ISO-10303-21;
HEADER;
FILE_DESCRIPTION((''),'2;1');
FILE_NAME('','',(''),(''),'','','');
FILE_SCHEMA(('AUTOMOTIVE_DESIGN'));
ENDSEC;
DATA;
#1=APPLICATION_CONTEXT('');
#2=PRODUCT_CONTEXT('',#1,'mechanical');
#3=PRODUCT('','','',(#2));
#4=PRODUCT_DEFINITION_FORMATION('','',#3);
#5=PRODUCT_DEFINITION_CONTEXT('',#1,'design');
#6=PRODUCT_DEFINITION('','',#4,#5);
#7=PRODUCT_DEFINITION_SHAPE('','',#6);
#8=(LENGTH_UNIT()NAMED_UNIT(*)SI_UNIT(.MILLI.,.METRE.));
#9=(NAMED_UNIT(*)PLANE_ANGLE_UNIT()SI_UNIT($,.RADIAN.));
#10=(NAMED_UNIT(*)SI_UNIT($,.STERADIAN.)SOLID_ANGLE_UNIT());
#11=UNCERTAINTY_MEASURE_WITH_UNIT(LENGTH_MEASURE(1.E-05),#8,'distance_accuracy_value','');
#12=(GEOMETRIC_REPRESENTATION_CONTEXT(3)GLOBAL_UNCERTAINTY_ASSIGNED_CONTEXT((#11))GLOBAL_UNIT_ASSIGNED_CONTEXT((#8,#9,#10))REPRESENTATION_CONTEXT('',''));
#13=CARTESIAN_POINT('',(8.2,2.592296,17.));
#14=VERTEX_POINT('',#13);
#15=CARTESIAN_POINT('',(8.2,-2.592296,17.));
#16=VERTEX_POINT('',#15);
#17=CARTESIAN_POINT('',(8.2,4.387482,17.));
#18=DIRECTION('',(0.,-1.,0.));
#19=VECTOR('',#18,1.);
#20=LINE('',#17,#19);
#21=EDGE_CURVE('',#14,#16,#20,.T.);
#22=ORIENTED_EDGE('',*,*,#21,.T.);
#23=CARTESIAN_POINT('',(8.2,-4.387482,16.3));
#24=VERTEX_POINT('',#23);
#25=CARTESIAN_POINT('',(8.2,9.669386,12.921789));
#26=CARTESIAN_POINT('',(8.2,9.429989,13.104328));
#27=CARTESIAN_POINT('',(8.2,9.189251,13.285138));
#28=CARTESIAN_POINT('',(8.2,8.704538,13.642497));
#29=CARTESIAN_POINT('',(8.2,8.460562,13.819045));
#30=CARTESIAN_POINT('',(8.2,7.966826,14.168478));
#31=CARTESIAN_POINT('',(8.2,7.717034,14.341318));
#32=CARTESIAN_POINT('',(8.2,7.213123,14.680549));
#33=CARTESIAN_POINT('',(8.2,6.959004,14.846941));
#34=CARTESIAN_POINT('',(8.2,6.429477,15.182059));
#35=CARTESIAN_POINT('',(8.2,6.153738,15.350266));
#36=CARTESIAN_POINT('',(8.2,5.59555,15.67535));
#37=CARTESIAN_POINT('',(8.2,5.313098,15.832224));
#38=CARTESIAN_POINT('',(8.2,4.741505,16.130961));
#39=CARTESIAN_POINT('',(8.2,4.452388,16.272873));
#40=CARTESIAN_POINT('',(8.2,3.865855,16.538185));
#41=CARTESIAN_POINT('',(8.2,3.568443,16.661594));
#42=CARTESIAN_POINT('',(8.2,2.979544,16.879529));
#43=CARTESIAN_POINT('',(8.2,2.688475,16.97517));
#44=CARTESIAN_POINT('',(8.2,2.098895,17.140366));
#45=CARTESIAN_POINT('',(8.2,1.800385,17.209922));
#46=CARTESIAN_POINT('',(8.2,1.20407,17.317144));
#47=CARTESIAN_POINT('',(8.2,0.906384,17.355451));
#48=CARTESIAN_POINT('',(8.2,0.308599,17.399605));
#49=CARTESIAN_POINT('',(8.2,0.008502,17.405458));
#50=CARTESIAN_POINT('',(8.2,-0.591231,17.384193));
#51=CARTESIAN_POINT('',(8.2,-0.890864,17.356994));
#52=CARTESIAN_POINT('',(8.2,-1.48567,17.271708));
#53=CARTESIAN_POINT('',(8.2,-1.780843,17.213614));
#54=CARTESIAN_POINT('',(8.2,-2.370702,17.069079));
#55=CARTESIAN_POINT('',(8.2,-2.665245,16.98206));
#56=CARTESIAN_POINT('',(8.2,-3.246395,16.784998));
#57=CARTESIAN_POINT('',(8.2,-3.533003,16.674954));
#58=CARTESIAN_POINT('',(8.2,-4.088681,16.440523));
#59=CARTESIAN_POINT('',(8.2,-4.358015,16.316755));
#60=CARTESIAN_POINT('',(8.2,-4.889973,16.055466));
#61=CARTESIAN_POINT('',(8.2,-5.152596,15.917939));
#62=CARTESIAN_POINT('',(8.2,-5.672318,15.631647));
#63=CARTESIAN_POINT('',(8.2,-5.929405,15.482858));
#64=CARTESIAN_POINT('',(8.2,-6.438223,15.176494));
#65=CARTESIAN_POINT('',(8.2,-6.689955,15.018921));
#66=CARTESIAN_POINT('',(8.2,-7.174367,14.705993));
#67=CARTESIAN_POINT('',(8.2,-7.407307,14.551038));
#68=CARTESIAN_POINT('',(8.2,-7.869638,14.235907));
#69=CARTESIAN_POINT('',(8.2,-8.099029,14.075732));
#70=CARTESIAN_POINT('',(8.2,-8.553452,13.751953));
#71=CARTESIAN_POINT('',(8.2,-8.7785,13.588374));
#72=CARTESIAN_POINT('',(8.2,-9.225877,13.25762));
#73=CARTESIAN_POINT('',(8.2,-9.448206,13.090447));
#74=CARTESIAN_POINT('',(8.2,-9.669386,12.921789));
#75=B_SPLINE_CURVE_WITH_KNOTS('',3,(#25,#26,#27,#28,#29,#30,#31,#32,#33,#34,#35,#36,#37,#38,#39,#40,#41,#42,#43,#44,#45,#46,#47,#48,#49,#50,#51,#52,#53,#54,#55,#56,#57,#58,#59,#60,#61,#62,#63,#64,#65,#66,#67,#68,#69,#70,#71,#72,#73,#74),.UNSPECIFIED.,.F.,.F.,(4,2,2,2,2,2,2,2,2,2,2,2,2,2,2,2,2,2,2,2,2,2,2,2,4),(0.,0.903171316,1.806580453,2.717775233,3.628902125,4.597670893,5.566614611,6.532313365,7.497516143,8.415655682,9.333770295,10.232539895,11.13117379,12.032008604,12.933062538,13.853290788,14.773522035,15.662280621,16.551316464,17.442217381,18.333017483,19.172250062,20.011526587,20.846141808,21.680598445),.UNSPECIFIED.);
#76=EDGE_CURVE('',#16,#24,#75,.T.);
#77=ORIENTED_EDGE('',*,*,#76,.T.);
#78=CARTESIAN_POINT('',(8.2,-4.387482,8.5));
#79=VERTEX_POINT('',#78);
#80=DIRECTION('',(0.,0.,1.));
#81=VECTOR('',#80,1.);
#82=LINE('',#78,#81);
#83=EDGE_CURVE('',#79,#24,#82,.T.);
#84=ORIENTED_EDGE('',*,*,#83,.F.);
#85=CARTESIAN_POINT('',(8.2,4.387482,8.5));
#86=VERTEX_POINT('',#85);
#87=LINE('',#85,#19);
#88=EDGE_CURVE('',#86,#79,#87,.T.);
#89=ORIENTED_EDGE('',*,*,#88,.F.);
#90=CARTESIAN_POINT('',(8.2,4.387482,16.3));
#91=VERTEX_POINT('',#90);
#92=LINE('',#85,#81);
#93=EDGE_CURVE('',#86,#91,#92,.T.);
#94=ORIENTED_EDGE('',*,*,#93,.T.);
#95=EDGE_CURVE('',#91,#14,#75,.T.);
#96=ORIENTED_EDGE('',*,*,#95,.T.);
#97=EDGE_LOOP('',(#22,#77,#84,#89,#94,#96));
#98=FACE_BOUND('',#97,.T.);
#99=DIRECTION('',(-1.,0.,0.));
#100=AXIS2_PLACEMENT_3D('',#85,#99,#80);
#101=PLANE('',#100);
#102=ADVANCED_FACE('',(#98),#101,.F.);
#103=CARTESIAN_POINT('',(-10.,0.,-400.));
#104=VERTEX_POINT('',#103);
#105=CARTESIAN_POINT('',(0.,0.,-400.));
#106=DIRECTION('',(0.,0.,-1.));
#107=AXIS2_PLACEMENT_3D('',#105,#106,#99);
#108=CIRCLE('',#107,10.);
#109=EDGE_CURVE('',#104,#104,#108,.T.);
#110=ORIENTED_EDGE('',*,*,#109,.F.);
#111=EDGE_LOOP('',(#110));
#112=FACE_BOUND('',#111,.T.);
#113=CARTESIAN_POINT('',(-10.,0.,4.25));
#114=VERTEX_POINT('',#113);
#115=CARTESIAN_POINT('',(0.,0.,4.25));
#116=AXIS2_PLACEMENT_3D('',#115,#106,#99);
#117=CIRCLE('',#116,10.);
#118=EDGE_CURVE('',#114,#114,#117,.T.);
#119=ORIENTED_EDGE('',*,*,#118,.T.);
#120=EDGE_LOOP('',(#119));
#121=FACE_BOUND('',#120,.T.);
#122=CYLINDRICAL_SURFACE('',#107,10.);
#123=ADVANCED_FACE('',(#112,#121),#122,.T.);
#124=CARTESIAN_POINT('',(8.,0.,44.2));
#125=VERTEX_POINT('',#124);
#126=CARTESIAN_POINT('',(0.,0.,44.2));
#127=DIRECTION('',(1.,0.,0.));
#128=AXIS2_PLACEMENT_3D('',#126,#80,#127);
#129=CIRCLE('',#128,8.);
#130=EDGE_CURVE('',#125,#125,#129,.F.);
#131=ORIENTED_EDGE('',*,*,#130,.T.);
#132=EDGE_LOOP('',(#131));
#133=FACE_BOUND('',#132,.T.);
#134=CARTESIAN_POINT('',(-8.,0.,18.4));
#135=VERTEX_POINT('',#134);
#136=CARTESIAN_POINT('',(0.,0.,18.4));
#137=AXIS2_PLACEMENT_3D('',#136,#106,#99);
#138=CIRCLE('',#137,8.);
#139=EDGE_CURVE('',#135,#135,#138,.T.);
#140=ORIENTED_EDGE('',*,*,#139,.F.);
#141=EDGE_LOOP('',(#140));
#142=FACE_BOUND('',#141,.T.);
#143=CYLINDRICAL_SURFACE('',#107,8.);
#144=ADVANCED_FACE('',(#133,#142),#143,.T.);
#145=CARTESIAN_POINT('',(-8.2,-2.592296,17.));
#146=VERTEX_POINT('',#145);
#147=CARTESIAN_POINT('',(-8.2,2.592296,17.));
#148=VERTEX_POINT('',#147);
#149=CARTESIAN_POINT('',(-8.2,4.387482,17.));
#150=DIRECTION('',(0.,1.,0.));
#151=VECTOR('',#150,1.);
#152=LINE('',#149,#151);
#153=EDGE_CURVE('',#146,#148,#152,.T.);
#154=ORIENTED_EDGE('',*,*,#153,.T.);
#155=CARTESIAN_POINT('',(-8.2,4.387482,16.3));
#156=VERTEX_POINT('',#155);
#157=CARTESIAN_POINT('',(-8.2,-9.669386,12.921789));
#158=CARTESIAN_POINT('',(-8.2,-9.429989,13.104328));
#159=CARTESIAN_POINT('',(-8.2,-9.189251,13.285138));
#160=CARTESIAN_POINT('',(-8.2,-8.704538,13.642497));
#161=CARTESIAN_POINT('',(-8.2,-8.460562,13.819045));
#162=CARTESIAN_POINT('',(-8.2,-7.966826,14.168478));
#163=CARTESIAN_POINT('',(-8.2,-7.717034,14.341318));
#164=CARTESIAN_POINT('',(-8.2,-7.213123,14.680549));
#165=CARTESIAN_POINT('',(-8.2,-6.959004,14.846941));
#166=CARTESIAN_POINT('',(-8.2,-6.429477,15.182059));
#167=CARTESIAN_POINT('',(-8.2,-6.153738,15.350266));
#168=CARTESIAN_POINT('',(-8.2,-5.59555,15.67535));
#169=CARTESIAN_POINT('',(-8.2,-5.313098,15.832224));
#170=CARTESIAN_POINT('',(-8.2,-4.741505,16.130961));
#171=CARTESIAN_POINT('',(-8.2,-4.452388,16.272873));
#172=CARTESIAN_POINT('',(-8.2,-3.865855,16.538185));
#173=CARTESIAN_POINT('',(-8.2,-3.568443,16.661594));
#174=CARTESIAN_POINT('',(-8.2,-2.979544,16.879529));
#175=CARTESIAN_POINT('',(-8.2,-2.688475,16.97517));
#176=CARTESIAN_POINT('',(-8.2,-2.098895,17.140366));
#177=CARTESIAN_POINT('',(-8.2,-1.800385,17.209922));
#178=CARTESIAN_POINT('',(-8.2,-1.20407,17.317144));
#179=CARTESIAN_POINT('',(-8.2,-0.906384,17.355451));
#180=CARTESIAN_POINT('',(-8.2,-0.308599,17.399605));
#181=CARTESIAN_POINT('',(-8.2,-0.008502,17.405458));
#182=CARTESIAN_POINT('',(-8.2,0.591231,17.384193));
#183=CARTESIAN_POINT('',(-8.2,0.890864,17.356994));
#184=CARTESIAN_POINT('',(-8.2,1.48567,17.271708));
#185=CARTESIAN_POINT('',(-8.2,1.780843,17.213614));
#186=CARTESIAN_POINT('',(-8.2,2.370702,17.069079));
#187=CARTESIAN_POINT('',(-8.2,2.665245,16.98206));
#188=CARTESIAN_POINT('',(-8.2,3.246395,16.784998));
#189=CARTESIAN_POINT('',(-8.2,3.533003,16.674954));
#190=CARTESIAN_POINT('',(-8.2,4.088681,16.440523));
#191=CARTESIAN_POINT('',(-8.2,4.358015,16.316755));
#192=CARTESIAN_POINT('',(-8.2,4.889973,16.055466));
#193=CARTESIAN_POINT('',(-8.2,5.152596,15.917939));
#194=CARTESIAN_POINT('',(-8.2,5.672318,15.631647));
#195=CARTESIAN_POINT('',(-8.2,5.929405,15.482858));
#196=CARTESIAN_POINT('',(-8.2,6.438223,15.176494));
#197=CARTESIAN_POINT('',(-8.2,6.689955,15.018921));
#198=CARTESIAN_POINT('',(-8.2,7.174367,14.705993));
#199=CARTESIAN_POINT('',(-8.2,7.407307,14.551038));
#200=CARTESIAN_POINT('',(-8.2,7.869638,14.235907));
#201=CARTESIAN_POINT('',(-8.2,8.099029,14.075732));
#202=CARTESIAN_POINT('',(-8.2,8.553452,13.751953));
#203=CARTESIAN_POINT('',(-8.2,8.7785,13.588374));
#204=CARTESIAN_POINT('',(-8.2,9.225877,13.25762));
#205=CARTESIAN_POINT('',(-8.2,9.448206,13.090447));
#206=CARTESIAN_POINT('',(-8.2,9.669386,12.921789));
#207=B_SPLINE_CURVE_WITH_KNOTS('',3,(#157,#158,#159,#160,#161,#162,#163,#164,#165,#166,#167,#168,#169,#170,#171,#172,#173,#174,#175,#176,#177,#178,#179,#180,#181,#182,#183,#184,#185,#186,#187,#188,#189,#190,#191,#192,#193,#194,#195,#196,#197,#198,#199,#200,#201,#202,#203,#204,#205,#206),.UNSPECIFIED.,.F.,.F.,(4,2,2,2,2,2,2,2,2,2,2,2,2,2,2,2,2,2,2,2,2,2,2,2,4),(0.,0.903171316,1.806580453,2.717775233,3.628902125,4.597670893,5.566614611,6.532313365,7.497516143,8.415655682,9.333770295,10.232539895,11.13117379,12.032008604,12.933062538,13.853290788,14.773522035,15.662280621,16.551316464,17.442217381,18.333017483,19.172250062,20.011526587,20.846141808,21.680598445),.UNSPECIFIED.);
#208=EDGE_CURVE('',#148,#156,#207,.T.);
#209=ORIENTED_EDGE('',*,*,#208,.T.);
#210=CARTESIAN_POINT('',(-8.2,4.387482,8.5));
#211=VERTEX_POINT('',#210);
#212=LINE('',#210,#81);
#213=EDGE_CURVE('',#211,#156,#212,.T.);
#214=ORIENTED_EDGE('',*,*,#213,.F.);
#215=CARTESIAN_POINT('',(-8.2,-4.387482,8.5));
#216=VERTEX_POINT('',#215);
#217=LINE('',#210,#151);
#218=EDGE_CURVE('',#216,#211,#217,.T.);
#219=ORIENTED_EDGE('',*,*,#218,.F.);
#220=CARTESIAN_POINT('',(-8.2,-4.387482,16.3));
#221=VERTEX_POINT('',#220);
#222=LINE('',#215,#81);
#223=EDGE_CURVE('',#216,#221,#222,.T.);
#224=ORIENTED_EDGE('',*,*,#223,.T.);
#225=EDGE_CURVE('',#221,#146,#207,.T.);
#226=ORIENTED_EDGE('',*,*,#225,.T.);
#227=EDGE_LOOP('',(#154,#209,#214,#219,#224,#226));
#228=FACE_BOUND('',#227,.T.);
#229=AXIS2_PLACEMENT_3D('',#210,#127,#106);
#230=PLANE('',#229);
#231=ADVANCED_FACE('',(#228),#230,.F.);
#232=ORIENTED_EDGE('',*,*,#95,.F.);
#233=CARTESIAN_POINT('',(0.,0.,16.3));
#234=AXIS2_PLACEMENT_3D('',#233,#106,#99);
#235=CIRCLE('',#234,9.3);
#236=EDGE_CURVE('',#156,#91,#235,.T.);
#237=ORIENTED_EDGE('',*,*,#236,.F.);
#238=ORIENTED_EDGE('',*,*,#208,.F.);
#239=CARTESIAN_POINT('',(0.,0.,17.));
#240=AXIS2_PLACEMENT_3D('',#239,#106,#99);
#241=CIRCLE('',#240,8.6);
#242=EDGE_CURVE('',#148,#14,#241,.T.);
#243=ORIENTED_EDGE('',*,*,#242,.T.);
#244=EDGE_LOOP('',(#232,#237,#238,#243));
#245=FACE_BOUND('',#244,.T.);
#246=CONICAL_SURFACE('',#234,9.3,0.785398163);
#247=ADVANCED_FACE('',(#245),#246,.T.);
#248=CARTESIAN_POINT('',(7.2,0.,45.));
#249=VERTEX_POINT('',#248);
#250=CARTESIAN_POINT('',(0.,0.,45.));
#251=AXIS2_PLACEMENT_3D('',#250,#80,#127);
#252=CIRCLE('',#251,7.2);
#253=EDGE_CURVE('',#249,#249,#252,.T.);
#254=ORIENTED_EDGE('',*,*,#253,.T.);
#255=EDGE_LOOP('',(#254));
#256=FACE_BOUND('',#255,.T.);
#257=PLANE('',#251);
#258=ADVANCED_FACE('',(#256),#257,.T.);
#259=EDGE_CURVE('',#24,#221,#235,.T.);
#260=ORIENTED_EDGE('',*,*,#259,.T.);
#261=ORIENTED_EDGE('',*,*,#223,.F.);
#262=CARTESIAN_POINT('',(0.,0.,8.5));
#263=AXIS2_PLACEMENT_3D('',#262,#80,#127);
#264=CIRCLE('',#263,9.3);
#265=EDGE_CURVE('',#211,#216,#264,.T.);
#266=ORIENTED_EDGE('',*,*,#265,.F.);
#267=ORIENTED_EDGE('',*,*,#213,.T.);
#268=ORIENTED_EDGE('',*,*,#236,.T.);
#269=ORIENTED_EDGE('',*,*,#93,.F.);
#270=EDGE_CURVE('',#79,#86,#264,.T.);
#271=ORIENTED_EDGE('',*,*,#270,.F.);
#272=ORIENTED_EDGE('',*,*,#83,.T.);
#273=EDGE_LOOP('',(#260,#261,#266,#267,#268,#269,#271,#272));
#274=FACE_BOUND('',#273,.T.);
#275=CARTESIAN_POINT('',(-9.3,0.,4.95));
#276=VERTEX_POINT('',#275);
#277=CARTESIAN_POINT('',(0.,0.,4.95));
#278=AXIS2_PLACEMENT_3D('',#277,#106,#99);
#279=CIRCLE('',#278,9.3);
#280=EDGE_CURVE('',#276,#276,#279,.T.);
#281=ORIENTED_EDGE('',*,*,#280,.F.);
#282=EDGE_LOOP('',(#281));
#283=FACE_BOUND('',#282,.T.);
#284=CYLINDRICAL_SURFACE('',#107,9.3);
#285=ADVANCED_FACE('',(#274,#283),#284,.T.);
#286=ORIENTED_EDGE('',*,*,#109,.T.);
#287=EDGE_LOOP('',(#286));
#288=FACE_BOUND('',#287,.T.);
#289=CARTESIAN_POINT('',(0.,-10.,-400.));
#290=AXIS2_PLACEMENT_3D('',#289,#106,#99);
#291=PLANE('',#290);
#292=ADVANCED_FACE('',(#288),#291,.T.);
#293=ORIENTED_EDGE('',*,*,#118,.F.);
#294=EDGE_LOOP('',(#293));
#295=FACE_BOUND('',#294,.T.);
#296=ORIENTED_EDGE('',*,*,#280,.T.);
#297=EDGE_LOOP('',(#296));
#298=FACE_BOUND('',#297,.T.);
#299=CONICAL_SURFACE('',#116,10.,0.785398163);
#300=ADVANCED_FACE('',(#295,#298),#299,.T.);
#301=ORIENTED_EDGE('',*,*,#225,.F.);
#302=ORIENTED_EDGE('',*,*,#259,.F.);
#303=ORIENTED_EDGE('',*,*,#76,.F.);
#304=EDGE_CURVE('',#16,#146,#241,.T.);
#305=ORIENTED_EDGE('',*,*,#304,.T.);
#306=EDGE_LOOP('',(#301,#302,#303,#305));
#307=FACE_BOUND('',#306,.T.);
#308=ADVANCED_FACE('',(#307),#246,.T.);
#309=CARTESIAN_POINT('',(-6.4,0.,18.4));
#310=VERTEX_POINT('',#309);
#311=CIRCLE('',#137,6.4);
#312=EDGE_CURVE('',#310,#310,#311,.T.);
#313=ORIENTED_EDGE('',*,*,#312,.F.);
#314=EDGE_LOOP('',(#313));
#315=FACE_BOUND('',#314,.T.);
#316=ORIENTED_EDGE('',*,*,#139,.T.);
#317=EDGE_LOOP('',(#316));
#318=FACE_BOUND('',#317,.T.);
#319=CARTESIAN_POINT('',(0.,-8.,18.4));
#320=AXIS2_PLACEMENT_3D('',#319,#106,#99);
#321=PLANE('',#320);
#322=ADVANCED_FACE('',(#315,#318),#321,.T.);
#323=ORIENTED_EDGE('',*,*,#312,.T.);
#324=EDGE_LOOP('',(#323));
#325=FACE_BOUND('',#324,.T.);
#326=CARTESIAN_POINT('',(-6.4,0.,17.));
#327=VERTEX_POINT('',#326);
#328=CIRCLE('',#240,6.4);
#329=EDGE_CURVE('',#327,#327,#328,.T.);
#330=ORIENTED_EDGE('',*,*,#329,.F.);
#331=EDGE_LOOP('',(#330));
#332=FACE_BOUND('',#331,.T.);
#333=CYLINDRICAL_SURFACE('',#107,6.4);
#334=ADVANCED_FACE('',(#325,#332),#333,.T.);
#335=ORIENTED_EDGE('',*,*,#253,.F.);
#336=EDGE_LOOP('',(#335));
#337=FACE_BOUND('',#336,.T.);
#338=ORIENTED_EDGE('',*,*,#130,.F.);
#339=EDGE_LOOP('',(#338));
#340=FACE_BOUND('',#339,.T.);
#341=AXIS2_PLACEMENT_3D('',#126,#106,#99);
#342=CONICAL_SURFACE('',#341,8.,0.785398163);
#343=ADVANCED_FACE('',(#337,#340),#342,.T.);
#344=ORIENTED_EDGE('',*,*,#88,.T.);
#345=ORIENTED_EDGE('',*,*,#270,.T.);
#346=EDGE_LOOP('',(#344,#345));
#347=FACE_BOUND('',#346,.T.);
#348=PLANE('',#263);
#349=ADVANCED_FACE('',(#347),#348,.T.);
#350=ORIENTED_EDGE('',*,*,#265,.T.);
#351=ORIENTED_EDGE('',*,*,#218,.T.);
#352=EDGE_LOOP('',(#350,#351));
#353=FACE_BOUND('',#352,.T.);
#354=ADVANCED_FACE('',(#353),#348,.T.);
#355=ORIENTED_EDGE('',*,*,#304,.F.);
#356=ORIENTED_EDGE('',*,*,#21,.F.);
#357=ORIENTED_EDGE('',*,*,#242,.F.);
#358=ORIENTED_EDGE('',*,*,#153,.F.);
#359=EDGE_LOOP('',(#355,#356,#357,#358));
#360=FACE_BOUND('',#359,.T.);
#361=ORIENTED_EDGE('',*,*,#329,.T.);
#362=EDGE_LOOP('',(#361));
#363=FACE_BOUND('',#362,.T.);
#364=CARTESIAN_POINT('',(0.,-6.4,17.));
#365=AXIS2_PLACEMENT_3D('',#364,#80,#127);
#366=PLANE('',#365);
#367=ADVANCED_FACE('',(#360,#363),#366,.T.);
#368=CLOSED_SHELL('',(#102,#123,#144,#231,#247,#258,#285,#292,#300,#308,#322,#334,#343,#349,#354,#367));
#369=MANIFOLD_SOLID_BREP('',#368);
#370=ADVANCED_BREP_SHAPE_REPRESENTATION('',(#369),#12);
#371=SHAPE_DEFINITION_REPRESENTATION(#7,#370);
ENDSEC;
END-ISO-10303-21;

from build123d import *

# Parameters (mm, degrees)
CUT_EXTRUDE_START   = -8.5
CUT_EXTRUDE_5_DEPTH = 8.5
CHAMFER_2_SIZE      = 0.8


with BuildPart() as part:
    # 草图16 → 旋转1 (revolve)
    with BuildSketch(Plane(origin=(0, 0, 0), x_dir=(0, 0, -1), z_dir=(1, 0, 0))):
        Polygon((-45, 0), (-45, 8), (-18.4, 8), (-18.4, 6.4), (-17, 6.4), (-17, 8.6), (-16.3, 9.3), (-4.95, 9.3), (-4.25, 10), (0, 10), (400, 10), (400, 0), align=None)
    revolve(axis=Axis((0, 0, -400), (0, 0, 1)))

    # 草图17 → 切除-拉伸5 (cut)
    with BuildSketch(Plane.XY.offset(17).offset(CUT_EXTRUDE_START)):
        with BuildLine():
            Line((8.2, 4.387482194), (8.2, -4.387482194))
            ThreePointArc((8.2, -4.387482194), (9.3, 0), (8.2, 4.387482194))
        make_face()
        with BuildLine():
            Line((-8.2, 4.387482194), (-8.2, -4.387482194))
            ThreePointArc((-8.2, -4.387482194), (-9.3, 0), (-8.2, 4.387482194))
        make_face()
    extrude(amount=CUT_EXTRUDE_5_DEPTH, mode=Mode.SUBTRACT)

    # 倒角2
    chamfer_2_edges = [part.edges().sort_by_distance(p)[0] for p in [
        (0, -8, 45),
    ]]
    chamfer(chamfer_2_edges, length=CHAMFER_2_SIZE)


solid = part.part
